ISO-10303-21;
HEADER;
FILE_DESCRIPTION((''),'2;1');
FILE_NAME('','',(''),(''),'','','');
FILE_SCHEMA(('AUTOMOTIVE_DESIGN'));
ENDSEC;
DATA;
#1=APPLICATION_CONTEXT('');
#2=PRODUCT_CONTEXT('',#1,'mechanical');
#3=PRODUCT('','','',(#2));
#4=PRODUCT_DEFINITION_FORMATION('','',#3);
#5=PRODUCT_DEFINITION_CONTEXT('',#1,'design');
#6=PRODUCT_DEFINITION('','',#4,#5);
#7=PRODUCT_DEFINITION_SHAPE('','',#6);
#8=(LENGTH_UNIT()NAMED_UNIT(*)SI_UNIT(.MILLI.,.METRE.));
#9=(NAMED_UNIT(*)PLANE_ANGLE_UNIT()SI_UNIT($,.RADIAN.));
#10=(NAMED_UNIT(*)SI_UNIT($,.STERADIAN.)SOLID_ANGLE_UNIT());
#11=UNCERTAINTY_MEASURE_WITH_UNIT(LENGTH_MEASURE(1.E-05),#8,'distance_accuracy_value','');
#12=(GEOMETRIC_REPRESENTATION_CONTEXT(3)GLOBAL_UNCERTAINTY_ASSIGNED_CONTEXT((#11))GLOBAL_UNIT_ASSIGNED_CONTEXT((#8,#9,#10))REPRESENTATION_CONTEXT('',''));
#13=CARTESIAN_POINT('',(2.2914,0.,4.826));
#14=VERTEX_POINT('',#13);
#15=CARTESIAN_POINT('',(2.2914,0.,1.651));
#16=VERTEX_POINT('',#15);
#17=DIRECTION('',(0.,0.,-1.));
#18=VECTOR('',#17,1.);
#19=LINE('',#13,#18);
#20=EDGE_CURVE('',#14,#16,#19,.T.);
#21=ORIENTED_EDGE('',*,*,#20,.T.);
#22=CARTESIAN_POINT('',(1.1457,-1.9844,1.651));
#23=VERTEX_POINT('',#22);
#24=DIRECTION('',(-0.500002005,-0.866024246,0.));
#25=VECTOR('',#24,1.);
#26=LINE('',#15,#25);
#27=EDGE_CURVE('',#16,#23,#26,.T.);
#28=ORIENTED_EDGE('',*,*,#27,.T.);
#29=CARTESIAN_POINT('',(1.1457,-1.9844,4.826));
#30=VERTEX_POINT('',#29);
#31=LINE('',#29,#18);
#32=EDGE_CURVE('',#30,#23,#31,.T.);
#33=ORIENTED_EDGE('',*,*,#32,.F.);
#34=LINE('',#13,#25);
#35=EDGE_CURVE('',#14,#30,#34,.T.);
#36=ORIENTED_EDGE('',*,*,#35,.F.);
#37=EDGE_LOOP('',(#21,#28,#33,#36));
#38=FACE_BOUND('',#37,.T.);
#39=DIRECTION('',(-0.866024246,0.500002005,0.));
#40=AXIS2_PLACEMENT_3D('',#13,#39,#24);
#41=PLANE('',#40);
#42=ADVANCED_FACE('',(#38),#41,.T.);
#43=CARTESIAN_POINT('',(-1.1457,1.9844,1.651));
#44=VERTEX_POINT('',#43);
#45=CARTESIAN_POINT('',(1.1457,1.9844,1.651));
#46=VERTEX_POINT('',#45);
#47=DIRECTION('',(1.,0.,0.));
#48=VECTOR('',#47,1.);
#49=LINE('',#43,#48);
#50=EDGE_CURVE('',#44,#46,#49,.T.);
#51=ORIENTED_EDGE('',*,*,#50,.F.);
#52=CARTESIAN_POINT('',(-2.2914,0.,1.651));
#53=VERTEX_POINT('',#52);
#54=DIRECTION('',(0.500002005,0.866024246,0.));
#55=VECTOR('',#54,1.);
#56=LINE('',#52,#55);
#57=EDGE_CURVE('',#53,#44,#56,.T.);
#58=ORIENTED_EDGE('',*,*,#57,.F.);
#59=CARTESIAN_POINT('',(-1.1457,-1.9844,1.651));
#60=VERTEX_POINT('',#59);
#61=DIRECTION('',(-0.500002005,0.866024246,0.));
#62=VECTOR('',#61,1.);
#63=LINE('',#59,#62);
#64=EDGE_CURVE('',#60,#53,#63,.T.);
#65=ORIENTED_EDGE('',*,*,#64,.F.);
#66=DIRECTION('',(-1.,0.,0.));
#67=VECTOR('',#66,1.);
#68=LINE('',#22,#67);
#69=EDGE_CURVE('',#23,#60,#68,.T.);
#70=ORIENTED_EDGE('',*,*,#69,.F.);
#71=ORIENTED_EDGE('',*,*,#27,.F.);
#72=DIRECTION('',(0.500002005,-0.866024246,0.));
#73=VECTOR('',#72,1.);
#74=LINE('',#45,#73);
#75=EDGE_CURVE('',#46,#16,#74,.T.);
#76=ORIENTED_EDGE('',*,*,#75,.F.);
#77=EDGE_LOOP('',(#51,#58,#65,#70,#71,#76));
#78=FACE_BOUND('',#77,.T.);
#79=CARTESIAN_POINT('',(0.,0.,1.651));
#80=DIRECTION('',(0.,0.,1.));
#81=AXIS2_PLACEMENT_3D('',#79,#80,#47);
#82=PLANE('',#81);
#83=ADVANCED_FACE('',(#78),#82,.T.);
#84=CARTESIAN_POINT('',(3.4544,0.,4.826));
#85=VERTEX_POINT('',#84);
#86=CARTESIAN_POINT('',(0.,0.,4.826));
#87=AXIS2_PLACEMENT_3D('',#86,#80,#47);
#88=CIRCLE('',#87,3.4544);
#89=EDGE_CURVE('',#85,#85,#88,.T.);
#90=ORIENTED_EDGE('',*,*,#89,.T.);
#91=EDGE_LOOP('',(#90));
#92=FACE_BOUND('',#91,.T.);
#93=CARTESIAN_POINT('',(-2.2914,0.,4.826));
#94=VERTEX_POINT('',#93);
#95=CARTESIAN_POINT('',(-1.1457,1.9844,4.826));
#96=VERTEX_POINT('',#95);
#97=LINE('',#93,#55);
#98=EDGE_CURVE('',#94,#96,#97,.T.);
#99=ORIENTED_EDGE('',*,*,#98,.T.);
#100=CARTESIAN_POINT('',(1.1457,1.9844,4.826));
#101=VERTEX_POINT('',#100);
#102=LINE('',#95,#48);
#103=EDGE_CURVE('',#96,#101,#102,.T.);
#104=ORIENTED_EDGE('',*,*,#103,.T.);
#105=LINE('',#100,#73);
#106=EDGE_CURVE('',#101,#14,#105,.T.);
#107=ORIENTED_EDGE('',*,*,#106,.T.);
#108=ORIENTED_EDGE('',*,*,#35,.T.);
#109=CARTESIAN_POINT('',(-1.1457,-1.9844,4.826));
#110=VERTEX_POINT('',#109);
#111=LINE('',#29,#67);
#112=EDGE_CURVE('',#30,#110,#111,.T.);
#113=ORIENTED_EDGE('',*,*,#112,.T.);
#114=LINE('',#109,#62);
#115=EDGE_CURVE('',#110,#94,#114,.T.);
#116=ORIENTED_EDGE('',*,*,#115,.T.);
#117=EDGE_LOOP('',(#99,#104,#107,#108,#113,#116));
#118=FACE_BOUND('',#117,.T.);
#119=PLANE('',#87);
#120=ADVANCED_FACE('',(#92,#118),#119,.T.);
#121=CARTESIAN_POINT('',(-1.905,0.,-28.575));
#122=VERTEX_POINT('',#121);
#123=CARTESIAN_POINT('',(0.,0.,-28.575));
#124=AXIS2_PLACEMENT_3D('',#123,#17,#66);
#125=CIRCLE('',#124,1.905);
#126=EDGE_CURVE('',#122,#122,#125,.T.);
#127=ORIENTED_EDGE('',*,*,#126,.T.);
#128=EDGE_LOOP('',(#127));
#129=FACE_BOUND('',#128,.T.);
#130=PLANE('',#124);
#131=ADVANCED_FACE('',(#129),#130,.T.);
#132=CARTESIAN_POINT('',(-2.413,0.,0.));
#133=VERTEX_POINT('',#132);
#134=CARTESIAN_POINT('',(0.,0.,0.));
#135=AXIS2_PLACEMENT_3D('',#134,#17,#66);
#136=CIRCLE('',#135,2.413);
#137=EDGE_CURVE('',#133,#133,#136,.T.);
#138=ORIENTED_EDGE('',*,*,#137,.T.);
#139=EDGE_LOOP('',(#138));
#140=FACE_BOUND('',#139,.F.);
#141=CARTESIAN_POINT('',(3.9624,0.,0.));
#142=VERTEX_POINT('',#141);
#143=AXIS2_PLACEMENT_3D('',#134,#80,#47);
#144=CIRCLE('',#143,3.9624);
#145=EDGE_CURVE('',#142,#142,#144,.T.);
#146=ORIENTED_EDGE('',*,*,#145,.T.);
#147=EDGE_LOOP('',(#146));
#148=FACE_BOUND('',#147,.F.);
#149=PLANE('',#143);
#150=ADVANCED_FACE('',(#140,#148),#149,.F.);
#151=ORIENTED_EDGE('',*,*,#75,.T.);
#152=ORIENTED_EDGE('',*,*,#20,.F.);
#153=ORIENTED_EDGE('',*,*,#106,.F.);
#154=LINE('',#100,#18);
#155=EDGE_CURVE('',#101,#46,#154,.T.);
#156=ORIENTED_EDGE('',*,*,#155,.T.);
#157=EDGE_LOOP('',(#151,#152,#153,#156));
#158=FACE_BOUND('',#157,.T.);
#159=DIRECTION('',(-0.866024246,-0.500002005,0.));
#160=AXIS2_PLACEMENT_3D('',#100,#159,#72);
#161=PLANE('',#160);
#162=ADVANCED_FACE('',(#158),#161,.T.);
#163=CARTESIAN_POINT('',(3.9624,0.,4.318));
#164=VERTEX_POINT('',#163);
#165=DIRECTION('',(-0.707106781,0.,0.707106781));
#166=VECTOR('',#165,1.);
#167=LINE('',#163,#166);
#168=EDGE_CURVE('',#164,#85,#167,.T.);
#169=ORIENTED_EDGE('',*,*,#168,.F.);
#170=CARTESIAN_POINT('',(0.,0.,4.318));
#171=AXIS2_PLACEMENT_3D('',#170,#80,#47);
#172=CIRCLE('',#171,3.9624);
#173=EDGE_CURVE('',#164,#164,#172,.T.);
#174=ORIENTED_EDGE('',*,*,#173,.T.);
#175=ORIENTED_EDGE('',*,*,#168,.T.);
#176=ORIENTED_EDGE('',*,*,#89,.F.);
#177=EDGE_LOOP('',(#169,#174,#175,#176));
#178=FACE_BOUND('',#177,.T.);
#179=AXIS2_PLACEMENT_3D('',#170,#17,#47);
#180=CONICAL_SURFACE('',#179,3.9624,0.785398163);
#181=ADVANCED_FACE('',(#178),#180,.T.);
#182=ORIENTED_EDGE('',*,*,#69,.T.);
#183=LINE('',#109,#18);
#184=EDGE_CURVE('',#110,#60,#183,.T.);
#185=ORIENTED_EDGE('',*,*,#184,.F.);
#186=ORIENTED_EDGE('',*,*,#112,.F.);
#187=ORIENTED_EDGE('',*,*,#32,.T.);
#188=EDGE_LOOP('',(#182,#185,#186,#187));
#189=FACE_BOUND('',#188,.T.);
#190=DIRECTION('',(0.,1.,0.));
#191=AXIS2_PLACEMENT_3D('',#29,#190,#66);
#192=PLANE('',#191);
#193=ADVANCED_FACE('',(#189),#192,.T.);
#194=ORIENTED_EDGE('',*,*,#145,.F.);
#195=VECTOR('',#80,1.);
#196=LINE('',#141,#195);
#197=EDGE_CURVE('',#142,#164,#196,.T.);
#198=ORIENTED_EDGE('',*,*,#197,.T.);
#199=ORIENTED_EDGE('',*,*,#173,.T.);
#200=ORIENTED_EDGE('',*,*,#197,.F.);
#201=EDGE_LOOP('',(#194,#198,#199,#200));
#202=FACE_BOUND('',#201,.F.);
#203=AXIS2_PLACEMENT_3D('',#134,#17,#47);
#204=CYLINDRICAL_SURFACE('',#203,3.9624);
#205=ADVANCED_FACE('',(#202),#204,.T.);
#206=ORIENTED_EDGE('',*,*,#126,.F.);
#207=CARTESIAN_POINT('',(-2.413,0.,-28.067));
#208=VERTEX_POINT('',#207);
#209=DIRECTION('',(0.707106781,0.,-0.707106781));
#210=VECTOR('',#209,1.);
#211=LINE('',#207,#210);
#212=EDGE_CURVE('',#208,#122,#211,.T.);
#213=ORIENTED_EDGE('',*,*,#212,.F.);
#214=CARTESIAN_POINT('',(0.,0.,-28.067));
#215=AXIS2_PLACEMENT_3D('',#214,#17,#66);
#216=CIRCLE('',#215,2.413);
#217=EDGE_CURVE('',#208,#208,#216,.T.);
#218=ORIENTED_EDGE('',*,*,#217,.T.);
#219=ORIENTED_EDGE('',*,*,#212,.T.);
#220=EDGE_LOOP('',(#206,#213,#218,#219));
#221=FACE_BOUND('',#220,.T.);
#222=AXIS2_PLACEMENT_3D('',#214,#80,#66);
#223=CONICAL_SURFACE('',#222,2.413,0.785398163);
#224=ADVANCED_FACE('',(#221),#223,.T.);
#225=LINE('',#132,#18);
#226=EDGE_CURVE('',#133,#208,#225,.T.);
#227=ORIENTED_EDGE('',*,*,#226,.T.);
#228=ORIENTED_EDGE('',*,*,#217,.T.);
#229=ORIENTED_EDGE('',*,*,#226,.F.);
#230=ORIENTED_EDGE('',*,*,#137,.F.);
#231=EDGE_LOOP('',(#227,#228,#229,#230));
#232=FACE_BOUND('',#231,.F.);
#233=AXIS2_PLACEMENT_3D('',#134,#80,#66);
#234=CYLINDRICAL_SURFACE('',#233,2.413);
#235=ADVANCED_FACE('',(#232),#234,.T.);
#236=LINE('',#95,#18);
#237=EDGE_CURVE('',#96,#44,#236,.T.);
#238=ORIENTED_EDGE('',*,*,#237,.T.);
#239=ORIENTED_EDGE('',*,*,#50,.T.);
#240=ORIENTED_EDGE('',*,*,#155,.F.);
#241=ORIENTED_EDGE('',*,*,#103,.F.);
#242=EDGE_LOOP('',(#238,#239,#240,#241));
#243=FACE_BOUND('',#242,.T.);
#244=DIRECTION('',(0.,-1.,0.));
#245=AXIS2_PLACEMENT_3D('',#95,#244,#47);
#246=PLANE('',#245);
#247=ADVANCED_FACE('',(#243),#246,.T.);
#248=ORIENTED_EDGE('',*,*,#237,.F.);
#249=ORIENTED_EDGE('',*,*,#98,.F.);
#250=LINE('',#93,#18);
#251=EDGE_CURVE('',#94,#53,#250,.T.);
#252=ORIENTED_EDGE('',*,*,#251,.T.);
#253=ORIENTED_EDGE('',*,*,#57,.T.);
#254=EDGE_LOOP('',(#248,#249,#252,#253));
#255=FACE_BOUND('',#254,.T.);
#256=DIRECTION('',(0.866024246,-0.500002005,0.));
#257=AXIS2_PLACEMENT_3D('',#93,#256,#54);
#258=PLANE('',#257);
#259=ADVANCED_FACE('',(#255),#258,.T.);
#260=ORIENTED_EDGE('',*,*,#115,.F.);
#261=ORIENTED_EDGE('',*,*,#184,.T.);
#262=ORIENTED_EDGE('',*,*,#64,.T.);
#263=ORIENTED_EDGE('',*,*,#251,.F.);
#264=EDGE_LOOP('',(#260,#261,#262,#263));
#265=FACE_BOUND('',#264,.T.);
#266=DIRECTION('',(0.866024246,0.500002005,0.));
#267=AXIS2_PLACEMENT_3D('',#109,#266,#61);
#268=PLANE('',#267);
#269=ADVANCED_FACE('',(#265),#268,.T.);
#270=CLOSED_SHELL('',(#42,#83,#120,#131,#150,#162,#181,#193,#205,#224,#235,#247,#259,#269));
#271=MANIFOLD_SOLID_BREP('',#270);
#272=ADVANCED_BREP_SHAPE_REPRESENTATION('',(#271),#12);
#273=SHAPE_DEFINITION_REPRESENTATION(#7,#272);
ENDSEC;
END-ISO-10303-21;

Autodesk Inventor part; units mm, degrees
ref_plane "YZ Plane" through (0, 0, 0) normal (1, 0, 0) x (0, 1, 0)
ref_plane "XZ Plane" through (0, 0, 0) normal (0, 1, 0) x (-1, 0, 0)
ref_plane "XY Plane" through (0, 0, 0) normal (0, 0, 1) x (1, 0, 0)
sketch "Sketch1" plane through (0, 0, 0) normal (0, 0, 1) x (1, 0, 0)
  circle A0 centre (0, 0) radius 3.9624
  dimension "d0" = 7.9248
extrude "Extrusion1" add sketch "Sketch1" along normal blind 4.826
sketch "Sketch2" plane through (0, 0, 0) normal (0, 0, -1) x (-1, 0, 0)
  circle A0 centre (0, 0) radius 3.9624 projected
  circle A1 centre (0, 0) radius 2.413
  dimension "d3" = 4.826
extrude "Extrusion2" add sketch "Sketch2" along normal blind 28.575 contours A1
sketch "Sketch3" plane through (0, 0, 4.826) normal (0, 0, 1) x (1, 0, 0)
  circle A0 centre (0, 0) radius 3.9624 projected
  line L0 (-1.1457, 1.9844) -> (1.1457, 1.9844)
  line L1 (1.1457, 1.9844) -> (2.2914, 0)
  line L2 (2.2914, 0) -> (1.1457, -1.9844)
  line L3 (1.1457, -1.9844) -> (-1.1457, -1.9844)
  line L4 (-1.1457, -1.9844) -> (-2.2914, 0)
  line L5 (-2.2914, 0) -> (-1.1457, 1.9844)
  dimension "d6" = 3.9688
extrude "Extrusion3" cut sketch "Sketch3" against normal blind 3.175 contours L0 L1 L2 L3 L4 L5
thread "Thread1" size "10-32 UNF" class "2A" standard "ANSI Unified Screw Threads" length 25.4
chamfer "Chamfer1" distance 0.508 angle 45 1 edges at (2.413, 0, -28.575)
chamfer "Chamfer2" distance 0.508 angle 45 1 edges at (-3.9624, 0, 4.826)
properties part number "10-32 x1000" material "Steel"
